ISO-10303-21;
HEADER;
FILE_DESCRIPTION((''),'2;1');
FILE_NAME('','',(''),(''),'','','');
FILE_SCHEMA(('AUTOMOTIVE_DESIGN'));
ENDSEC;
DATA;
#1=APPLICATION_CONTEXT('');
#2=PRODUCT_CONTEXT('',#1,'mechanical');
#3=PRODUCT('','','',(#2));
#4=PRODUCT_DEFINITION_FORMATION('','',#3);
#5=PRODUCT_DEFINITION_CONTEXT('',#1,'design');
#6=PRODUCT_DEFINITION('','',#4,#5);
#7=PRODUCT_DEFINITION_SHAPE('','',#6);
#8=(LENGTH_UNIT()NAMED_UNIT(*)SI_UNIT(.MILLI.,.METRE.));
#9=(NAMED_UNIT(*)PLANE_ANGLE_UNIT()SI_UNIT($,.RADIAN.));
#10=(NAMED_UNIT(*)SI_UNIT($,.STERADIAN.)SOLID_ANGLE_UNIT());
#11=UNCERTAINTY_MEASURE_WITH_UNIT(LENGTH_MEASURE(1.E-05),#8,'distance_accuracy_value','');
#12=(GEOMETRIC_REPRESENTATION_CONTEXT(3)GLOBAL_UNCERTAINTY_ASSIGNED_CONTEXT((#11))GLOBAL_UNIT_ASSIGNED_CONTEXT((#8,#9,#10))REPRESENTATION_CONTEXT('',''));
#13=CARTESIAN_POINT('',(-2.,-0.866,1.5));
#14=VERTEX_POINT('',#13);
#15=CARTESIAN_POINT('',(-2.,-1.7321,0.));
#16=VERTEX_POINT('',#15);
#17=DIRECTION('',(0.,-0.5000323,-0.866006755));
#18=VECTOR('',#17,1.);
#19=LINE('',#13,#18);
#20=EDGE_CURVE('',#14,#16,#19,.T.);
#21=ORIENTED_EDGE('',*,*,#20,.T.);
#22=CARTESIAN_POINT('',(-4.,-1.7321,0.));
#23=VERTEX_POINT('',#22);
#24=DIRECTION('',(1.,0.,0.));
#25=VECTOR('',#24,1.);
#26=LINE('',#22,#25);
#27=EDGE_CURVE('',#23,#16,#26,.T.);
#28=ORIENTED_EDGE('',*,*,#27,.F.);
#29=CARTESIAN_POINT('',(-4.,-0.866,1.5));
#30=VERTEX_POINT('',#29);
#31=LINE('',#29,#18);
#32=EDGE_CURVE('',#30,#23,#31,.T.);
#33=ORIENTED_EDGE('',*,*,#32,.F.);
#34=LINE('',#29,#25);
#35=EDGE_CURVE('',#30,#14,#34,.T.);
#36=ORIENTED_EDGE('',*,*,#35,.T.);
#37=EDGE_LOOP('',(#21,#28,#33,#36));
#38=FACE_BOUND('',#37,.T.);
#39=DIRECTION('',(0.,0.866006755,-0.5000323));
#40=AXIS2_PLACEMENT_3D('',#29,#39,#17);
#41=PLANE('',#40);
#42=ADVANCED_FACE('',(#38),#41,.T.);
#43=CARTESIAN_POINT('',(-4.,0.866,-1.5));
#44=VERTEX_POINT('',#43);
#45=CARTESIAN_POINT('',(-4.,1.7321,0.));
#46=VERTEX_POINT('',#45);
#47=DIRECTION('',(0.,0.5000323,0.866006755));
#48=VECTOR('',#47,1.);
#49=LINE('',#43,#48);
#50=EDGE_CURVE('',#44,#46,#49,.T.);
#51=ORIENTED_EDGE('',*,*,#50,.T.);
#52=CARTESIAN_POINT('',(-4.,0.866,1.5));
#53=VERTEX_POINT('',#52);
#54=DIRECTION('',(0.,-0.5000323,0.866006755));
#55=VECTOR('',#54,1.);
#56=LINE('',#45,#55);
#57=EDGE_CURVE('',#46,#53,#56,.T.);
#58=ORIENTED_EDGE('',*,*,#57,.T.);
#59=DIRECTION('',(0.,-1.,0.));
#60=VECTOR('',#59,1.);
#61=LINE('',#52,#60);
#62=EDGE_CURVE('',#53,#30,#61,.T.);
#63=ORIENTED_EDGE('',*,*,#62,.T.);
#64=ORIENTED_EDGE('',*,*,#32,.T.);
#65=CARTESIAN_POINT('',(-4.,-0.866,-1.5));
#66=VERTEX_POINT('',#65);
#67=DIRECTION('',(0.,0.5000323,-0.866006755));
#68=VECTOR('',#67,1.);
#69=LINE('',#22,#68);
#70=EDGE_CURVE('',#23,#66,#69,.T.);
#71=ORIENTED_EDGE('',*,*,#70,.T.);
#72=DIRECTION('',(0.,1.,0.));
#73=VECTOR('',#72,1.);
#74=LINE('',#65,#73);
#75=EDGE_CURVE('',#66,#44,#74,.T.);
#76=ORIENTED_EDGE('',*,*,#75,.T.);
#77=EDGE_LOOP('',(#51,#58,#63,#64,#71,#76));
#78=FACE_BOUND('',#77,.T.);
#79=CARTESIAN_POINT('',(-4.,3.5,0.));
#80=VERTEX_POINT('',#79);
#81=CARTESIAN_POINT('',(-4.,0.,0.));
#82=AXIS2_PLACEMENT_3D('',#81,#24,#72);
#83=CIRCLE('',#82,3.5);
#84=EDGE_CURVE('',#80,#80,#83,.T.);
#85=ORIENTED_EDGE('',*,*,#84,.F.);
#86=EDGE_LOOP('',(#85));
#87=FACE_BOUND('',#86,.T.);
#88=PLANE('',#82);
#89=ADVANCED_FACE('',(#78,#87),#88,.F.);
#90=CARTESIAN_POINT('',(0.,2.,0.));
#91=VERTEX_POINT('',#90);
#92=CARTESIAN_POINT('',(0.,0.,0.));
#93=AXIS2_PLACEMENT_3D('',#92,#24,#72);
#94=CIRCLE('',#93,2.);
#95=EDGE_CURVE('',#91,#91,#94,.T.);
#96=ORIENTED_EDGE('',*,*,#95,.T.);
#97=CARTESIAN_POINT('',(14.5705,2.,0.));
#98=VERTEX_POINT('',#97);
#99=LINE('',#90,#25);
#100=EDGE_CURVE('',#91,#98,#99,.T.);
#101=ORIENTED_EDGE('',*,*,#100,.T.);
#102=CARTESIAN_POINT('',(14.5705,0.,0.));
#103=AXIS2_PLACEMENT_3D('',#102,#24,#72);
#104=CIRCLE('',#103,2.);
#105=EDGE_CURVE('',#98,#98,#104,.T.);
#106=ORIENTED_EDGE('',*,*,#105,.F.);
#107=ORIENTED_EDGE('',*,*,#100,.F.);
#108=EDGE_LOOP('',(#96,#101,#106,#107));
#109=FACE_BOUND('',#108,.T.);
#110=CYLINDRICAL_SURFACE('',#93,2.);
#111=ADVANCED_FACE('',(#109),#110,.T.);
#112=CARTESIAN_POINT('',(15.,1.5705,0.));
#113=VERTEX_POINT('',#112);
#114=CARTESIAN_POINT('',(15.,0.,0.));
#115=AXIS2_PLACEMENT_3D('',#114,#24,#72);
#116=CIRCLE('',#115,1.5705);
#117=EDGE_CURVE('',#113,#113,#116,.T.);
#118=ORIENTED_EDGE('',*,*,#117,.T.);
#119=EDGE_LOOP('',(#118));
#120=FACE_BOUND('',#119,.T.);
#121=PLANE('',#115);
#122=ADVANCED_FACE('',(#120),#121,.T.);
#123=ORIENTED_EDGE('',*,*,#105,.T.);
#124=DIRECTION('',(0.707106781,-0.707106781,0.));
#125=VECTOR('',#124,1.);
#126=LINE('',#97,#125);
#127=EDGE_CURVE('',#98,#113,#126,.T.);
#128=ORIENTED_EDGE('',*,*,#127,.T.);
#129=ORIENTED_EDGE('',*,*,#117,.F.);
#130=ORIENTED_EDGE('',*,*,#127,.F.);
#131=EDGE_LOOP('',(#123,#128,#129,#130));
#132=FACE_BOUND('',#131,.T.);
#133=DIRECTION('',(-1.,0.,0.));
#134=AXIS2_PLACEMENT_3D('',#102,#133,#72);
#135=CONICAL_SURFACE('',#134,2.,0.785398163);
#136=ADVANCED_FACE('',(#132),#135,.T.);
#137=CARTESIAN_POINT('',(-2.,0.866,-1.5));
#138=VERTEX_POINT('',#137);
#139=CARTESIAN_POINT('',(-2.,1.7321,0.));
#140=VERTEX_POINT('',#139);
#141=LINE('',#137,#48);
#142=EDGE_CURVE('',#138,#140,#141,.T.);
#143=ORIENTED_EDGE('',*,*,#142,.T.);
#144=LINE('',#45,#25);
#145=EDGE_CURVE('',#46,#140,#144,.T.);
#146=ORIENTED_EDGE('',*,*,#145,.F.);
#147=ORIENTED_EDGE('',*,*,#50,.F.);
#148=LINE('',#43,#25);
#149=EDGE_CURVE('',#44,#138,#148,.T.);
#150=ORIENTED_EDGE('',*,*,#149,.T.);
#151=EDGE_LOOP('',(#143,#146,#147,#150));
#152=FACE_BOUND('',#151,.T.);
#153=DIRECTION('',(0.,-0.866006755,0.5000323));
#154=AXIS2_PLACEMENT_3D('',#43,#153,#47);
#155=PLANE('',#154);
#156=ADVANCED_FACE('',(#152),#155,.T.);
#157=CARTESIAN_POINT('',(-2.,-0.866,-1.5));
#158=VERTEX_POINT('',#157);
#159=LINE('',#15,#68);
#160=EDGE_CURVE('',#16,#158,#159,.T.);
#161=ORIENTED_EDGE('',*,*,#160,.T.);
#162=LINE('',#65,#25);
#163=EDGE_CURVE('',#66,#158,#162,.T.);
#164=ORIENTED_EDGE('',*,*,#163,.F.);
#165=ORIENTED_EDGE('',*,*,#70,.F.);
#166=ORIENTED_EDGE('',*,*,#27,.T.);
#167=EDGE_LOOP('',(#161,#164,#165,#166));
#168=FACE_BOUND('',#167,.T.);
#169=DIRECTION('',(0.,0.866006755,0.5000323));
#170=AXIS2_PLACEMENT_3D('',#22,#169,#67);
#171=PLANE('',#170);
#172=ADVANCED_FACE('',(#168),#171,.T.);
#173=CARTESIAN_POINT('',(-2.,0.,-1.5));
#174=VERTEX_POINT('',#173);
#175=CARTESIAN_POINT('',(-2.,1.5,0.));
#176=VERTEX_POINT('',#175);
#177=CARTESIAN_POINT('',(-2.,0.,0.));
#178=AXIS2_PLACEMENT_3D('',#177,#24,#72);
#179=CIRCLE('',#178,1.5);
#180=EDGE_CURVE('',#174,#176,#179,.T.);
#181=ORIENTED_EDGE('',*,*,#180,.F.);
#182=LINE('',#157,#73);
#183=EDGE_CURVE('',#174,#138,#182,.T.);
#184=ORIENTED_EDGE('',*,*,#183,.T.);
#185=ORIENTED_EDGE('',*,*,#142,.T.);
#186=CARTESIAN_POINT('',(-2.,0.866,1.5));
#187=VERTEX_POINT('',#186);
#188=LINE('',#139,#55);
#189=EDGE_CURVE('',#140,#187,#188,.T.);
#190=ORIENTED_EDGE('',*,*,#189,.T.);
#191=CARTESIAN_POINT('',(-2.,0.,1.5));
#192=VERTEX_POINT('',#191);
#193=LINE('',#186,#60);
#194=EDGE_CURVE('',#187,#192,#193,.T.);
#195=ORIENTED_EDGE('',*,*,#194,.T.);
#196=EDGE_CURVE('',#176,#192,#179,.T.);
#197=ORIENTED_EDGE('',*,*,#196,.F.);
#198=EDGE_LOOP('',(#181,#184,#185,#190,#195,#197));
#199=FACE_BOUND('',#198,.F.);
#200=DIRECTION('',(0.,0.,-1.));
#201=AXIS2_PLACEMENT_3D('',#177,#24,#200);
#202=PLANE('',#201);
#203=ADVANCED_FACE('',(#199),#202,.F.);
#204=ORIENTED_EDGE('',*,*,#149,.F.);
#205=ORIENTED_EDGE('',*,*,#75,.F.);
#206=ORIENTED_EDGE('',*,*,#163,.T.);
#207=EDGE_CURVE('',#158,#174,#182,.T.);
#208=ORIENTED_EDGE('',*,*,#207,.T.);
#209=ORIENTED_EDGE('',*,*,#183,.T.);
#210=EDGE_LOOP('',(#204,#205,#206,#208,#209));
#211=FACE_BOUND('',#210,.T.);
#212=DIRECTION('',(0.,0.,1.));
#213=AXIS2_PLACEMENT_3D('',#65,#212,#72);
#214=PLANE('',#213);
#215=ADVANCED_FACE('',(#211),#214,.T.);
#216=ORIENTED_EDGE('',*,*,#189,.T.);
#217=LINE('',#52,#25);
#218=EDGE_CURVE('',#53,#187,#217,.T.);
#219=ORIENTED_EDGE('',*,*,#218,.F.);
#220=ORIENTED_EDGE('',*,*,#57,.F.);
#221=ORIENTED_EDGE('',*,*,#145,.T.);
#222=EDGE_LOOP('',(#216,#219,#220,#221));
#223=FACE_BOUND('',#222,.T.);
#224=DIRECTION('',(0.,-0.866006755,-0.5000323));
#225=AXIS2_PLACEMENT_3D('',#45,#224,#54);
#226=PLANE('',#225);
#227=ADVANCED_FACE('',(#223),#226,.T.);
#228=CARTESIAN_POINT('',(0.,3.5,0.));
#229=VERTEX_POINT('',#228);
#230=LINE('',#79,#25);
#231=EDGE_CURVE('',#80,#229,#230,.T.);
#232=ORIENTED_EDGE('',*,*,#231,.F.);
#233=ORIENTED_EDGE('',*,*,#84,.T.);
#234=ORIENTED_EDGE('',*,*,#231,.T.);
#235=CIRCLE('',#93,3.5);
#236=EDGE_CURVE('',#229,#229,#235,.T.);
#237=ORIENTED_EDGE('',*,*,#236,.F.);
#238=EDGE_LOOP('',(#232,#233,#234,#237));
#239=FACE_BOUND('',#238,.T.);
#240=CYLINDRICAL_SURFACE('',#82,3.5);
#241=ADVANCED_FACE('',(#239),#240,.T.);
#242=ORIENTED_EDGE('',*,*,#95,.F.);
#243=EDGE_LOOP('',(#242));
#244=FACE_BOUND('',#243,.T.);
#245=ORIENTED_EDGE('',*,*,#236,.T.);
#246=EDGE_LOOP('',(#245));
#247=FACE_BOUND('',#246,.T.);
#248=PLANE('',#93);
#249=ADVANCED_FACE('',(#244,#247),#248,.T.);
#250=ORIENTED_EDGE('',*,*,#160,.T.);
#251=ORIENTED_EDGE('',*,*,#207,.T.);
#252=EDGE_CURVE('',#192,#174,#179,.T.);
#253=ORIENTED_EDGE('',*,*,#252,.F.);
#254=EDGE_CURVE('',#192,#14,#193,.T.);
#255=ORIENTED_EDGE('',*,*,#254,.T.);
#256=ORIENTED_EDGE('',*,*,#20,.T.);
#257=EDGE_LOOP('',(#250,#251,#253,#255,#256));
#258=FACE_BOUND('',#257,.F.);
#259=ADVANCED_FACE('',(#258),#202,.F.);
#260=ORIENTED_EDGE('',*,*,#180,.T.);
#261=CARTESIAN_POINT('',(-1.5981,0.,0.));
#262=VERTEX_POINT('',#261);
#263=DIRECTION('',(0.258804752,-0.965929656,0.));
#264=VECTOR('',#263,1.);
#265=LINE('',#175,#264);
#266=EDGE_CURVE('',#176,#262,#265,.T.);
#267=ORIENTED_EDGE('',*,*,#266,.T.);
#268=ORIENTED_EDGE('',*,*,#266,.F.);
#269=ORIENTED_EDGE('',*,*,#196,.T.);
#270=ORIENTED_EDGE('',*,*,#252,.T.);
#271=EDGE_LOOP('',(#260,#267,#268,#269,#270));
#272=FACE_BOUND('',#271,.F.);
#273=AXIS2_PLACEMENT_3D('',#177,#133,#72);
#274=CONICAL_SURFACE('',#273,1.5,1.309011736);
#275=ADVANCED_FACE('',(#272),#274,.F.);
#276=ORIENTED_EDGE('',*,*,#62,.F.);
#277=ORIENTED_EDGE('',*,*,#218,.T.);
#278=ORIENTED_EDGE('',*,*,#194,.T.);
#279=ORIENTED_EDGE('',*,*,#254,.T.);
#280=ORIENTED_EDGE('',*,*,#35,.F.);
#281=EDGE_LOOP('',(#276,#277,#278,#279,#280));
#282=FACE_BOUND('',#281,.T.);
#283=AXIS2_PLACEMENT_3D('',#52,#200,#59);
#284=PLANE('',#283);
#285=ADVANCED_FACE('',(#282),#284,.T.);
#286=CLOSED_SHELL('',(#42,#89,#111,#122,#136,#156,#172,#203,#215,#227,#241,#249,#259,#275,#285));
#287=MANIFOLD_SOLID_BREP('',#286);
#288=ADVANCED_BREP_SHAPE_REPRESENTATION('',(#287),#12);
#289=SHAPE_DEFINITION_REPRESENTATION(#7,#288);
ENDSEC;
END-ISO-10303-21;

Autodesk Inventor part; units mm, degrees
sketch "Sketch_1" plane through (0, 0, 0) normal (0, 0, 1) x (1, 0, 0)
  line L0 (15, 0) -> (-4, 0)
  line L1 (-4, 0) -> (-4, 3.5)
  line L2 (-4, 3.5) -> (0, 3.5)
  line L3 (0, 3.5) -> (0, 2)
  line L4 (0, 2) -> (14.5705, 2)
  line L5 (14.5705, 2) -> (15, 1.5705)
  line L6 (15, 1.5705) -> (15, 0)
  line L7 (15, 0) -> (-4, 0)
revolve "Revolution1" add sketch "Sketch_1" angle 360 about axis through (15, 0, 0) along (1, 0, 0)
thread "Thread1" size "M4x0.7" class "6g" standard "ISO Metric profile" length 14.5 offset 0.5
sketch "Sketch_4" plane through (0, 0, 0) normal (0, 0, 1) x (1, 0, 0)
  line L0 (-1.5981, 0) -> (-4, 0)
  line L1 (-4, 0) -> (-4, 1.5)
  line L2 (-4, 1.5) -> (-2, 1.5)
  line L3 (-2, 1.5) -> (-1.5981, 0)
  line L4 (-1.5981, 0) -> (-4, 0)
revolve "Revolution2" cut sketch "Sketch_4" angle 360 about axis through (-1.5981, 0, 0) along (1, 0, 0)
sketch "Sketch_3" plane through (-4, 0, 0) normal (1, 0, 0) x (0, 0, -1)
  line L0 (-1.5, 0.866) -> (-1.5, -0.866)
  line L1 (-1.5, -0.866) -> (0, -1.7321)
  line L2 (0, -1.7321) -> (1.5, -0.866)
  line L3 (1.5, -0.866) -> (1.5, 0.866)
  line L4 (1.5, 0.866) -> (0, 1.7321)
  line L5 (0, 1.7321) -> (-1.5, 0.866)
extrude "Extrusion1" cut sketch "Sketch_3" along normal blind 2
ref_plane "bolt_XY" through (0, 0, 0) normal (1, 0, 0) x (0, 0, -1)
ref_plane "bolt_YZ" through (0, 0, 0) normal (0, 0, -1) x (0, 1, 0)
ref_plane "bolt_ZX" through (0, 0, 0) normal (0, 1, 0) x (1, 0, 0)
ref_plane "nut_XY" through (15, 0, 0) normal (1, 0, 0) x (0, 0, -1)
ref_plane "nut_YZ" through (15, 0, 0) normal (0, 0, -1) x (0, 1, 0)
ref_plane "nut_ZX" through (15, 0, 0) normal (0, 1, 0) x (1, 0, 0)
properties part number "CBM4-15" material "MISUMI"
